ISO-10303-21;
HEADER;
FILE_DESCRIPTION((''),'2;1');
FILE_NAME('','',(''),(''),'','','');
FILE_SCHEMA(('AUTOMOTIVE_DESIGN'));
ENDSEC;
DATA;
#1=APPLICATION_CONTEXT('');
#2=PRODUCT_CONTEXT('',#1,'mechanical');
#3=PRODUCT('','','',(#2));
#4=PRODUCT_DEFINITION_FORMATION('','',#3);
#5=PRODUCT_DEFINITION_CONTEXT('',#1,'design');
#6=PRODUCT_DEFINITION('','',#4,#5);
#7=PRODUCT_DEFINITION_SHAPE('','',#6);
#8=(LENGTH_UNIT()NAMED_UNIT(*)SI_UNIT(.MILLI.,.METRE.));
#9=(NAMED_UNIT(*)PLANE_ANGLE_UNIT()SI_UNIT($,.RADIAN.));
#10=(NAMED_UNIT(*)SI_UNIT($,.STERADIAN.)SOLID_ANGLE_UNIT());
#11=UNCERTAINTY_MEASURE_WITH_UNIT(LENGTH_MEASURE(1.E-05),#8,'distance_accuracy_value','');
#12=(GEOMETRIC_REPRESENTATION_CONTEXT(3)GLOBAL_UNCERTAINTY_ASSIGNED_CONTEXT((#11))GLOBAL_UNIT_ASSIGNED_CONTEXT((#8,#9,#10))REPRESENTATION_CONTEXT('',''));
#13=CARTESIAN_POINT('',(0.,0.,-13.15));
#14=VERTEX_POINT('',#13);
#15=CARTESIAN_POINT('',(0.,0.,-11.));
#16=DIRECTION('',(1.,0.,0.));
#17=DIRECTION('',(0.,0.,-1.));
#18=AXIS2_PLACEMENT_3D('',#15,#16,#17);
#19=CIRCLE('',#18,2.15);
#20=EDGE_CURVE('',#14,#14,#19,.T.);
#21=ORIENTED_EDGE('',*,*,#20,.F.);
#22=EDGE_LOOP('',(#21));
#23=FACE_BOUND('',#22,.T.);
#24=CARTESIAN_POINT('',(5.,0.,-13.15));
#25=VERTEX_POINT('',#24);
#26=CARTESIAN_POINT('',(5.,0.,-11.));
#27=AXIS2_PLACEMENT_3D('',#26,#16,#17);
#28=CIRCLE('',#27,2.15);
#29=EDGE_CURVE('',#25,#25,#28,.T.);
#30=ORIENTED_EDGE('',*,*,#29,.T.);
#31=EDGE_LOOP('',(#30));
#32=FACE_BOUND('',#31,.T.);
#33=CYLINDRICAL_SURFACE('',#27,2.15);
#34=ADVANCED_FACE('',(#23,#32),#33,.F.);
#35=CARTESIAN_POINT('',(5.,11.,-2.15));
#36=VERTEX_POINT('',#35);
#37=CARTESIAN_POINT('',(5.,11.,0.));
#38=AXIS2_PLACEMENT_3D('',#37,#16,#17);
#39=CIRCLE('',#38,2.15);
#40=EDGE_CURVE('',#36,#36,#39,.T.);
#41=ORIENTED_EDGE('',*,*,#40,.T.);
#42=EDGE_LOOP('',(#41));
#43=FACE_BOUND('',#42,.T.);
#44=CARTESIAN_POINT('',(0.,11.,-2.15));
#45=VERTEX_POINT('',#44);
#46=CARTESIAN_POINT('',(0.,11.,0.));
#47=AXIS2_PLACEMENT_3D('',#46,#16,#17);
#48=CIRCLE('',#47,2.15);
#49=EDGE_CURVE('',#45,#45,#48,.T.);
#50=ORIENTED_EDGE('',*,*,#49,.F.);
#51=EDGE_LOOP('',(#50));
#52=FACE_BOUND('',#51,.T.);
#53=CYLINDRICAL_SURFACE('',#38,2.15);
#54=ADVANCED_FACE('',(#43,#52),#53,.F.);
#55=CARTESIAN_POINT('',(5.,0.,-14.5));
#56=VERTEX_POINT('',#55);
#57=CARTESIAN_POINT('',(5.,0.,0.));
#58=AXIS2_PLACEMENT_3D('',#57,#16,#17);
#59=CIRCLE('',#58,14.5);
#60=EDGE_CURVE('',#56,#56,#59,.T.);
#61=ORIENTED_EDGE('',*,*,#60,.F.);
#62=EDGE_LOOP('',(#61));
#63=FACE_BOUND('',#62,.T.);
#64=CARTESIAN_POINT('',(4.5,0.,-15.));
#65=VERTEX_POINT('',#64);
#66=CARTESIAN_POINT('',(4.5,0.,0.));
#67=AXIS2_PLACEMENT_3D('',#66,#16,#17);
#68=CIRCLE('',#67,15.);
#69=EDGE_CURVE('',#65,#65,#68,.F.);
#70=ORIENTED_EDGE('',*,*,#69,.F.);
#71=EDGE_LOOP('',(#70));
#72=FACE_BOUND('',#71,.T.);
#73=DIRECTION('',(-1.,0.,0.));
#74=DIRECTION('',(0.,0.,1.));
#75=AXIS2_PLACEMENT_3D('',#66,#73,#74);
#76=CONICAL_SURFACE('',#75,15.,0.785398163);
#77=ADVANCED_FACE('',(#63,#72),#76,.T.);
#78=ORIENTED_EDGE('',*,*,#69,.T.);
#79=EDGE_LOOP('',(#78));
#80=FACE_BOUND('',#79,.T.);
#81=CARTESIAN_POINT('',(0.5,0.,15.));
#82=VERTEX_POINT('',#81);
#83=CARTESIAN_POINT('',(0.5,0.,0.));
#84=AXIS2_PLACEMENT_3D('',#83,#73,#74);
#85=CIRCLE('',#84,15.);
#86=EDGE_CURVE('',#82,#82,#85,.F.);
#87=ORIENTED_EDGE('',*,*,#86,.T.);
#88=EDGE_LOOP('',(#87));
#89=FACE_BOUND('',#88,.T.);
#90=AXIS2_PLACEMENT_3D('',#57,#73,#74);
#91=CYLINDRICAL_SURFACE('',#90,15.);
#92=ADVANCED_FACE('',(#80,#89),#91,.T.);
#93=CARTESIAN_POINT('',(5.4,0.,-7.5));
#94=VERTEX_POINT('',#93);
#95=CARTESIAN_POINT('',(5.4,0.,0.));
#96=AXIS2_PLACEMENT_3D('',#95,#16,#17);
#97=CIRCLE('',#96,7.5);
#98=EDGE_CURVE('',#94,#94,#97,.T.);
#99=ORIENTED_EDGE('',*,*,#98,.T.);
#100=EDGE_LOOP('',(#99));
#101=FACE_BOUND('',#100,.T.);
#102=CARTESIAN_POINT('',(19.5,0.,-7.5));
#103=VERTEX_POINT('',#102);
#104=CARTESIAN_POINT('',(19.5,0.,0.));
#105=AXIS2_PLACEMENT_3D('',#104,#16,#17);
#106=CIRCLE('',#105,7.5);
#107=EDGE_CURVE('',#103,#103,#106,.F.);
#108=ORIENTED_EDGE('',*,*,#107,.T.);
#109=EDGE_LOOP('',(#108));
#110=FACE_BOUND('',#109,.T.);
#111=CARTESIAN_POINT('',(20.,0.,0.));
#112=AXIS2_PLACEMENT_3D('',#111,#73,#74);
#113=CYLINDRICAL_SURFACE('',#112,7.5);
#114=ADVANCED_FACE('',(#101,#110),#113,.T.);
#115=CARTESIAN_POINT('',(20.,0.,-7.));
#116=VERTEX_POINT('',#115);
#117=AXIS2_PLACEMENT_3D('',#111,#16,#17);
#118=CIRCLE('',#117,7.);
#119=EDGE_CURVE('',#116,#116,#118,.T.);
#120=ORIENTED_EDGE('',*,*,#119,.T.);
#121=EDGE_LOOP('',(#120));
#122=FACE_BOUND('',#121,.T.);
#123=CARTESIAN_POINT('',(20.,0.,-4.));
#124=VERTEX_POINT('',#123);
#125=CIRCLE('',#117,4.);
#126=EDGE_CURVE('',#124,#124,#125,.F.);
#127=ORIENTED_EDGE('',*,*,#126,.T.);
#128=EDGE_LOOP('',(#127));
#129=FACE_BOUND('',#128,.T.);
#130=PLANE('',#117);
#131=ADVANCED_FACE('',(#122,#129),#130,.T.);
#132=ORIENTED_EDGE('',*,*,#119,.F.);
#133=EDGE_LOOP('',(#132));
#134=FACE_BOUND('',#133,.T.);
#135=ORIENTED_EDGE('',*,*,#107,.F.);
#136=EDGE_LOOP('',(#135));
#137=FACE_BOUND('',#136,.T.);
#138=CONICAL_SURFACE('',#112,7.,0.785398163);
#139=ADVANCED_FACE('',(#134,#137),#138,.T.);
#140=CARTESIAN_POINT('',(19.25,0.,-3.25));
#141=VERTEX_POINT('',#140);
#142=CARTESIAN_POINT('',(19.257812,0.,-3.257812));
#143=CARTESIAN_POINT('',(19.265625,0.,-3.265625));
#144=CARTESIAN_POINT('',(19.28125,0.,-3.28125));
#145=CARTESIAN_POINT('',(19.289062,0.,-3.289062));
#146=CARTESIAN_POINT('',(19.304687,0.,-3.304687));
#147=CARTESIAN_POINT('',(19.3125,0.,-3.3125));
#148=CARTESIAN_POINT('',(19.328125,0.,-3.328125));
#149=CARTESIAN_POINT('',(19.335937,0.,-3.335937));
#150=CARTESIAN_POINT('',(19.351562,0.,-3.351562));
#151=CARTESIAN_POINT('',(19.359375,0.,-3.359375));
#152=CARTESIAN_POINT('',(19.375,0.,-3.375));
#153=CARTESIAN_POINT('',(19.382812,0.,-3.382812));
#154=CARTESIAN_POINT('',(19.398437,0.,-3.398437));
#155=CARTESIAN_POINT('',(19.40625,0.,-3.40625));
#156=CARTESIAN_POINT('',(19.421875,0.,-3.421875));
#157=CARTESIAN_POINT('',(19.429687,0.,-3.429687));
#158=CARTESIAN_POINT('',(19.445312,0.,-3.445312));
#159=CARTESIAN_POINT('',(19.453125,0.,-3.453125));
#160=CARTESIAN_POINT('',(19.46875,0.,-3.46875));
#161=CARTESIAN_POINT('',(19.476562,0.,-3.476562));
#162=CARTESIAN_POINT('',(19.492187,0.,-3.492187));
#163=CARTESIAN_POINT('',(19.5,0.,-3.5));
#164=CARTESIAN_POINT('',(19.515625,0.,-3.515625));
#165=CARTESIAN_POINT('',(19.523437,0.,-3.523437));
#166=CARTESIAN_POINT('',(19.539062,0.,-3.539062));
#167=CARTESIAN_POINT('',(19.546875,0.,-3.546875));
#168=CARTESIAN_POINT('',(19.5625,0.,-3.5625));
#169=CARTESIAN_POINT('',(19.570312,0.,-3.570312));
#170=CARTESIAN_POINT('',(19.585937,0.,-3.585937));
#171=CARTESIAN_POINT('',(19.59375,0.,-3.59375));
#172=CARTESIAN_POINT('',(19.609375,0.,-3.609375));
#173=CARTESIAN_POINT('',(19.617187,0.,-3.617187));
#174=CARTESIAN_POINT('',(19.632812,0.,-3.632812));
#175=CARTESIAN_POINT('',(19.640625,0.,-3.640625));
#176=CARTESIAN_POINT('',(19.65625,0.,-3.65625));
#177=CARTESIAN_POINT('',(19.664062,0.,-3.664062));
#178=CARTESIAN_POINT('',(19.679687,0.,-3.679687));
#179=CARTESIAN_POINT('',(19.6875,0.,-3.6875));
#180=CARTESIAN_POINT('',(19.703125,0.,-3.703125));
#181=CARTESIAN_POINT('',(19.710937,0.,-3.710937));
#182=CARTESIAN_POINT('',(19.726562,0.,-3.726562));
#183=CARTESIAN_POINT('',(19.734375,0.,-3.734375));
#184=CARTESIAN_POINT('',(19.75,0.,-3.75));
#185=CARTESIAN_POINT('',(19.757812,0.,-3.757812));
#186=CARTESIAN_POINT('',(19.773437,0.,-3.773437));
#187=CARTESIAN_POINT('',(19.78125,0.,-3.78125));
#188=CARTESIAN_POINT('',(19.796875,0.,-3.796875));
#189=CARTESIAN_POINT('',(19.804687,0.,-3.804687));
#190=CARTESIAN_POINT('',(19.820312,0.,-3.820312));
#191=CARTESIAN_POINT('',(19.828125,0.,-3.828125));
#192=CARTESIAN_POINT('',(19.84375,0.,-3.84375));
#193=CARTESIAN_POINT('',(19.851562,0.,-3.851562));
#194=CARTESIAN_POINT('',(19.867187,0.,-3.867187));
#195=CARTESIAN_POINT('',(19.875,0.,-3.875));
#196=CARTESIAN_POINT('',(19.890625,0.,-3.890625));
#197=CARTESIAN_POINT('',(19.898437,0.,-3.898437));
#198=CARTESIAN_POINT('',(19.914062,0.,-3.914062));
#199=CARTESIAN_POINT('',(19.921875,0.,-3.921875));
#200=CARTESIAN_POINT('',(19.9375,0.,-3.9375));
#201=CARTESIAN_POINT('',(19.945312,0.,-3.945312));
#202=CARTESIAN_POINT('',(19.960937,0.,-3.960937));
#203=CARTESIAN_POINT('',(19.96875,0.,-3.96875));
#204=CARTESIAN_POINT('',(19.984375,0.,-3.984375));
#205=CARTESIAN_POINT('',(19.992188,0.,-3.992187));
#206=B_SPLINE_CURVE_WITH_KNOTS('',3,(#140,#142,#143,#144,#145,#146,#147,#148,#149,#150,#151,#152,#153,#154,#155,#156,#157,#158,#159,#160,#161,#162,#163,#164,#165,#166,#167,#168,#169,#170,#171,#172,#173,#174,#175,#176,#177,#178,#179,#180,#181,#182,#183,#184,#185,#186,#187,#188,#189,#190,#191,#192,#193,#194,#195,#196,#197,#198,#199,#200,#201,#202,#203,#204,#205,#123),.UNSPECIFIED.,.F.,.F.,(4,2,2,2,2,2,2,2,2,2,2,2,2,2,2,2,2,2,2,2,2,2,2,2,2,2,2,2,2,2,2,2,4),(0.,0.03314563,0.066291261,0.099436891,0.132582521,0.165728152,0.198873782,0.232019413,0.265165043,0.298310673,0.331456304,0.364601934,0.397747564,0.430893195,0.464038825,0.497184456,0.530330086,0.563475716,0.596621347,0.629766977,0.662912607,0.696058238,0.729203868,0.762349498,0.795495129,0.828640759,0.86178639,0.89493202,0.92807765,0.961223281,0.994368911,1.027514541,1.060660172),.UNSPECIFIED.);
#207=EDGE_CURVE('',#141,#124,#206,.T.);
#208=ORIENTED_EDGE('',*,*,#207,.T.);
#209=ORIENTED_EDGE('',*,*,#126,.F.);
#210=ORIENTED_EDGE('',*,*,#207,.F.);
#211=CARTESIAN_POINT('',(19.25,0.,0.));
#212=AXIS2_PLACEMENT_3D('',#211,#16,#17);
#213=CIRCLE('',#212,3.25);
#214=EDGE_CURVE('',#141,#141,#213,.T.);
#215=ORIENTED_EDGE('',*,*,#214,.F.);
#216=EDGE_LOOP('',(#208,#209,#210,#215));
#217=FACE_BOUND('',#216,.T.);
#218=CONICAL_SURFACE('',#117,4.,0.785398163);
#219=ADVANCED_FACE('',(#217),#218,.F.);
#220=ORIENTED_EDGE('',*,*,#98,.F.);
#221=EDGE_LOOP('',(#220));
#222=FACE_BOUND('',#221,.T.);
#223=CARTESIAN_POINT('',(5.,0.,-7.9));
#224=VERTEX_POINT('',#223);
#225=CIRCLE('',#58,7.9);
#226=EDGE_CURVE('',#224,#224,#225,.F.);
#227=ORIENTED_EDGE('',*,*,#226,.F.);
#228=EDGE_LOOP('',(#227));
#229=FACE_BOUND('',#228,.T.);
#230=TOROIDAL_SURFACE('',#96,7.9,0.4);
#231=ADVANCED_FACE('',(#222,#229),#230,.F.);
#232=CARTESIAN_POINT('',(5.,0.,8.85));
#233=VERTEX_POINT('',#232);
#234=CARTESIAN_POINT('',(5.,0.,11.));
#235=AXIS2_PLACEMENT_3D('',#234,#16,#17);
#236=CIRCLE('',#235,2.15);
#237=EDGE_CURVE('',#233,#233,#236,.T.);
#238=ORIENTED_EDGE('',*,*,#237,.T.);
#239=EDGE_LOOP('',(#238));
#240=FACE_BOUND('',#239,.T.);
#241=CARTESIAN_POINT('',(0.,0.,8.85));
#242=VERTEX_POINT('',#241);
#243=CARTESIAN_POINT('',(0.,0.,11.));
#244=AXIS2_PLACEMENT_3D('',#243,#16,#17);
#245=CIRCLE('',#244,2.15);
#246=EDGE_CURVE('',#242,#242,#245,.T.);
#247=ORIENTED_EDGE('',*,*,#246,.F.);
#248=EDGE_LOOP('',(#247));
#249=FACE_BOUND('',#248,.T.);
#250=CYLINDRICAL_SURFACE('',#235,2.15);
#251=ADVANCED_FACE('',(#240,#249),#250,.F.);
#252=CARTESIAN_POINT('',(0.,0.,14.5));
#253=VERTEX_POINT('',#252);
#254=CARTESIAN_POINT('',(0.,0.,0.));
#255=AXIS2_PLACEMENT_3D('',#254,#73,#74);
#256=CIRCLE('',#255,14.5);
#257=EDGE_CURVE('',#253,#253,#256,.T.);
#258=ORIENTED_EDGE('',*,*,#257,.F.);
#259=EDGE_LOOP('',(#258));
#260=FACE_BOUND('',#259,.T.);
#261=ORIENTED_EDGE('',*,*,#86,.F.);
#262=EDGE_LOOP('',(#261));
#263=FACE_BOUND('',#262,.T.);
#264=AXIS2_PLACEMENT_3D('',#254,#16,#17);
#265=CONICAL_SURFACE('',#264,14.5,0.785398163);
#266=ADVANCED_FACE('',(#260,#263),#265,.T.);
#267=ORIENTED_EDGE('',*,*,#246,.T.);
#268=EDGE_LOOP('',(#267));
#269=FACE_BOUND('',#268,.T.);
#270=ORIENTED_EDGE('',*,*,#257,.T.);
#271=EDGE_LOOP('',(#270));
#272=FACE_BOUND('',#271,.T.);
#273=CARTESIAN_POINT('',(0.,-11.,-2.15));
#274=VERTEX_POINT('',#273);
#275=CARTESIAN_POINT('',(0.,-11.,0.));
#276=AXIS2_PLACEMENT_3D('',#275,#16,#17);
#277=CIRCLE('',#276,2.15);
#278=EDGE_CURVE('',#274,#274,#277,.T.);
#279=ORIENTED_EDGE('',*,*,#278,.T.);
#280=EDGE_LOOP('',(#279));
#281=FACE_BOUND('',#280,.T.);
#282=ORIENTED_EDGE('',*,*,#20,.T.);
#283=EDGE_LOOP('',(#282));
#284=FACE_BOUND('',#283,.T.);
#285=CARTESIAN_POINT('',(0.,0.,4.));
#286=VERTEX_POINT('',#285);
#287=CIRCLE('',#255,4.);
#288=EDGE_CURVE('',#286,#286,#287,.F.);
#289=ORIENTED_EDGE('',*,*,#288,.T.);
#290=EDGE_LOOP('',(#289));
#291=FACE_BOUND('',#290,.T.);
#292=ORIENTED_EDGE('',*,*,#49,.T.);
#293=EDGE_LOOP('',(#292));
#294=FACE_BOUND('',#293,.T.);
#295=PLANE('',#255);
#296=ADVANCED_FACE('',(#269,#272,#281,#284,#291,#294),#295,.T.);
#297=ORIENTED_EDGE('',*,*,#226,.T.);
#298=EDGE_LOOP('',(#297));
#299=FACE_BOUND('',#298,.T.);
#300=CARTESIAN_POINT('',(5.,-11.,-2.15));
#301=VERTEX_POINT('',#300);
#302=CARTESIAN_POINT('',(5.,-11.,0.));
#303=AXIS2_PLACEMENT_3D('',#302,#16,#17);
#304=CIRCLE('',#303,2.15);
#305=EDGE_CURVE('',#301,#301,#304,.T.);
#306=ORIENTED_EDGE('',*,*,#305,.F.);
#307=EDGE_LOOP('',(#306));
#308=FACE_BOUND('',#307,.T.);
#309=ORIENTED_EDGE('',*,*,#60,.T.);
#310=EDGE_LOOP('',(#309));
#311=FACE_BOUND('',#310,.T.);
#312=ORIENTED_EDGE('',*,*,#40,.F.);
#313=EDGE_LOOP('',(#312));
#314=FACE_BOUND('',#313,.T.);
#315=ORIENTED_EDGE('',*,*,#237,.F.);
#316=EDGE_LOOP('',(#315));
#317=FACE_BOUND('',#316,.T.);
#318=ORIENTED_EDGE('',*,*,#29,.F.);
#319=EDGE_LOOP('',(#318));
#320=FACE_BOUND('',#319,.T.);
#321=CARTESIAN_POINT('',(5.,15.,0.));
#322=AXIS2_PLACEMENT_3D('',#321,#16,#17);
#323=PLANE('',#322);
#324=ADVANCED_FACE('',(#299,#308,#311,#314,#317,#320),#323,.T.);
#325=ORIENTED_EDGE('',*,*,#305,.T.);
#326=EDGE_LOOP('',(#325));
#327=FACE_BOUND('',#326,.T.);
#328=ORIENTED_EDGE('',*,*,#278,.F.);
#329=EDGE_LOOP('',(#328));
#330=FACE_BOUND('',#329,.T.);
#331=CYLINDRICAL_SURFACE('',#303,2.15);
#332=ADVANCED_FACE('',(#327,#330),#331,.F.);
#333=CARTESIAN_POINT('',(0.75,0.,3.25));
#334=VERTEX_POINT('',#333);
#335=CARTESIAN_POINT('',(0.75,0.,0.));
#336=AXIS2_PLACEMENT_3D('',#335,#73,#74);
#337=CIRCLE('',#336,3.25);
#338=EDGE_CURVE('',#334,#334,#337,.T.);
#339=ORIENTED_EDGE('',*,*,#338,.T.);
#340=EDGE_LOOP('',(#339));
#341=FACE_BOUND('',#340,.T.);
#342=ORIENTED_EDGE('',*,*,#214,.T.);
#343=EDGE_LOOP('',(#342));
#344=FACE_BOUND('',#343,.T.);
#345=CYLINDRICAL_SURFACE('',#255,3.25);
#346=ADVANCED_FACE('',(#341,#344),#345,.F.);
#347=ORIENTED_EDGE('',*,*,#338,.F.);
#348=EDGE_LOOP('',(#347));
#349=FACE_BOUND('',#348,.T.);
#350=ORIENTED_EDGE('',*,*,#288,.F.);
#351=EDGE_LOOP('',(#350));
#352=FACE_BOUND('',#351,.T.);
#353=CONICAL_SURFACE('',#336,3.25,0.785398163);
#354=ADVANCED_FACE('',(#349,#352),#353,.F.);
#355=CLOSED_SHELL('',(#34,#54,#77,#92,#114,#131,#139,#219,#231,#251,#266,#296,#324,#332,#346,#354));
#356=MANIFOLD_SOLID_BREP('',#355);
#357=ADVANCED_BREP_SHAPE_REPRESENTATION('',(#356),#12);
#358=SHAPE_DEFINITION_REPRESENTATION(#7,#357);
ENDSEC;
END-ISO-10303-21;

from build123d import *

# Parameters (mm, degrees)
SKETCH1_W                  = 5
SKETCH1_H                  = 15
SKETCH2_R                  = 7.5
BOSS_EXTRUDE1_DEPTH        = 15
F_4_3_4_3_DIAMETER_HOLE1_D = 4.3
F_6_5_6_5_DIAMETER_HOLE1_D = 6.5
CHAMFER1_SIZE              = 0.75
CHAMFER2_SIZE              = 0.5
FILLET1_R                  = 0.4


with BuildPart() as part:
    # Sketch1 → Revolve1 (revolve)
    with BuildSketch(Plane(origin=(0, 0, 0), x_dir=(-1, 0, 0), z_dir=(0, 0, -1)), mode=Mode.PRIVATE) as revolve1_sk:
        with Locations((-2.5, 7.5)):
            Rectangle(SKETCH1_W, SKETCH1_H)
    revolve(revolve1_sk.sketch.rotate(Axis((5, 0, 0), (-1, 0, 0)), 270), axis=Axis((5, 0, 0), (-1, 0, 0)))

    # Sketch2 → Boss-Extrude1 (add)
    with BuildSketch(Plane(origin=(5, 0, 0), x_dir=(0, 0, -1), z_dir=(1, 0, 0))):
        Circle(SKETCH2_R)
    extrude(amount=BOSS_EXTRUDE1_DEPTH)

    # Ø4.3 (4.3) Diameter Hole1 (through all)
    with Locations(Plane(origin=(5, 0, 0), x_dir=(0, 0, -1), z_dir=(1, 0, 0))):
        with Locations((-11, 0), (11, 0), (0, -11), (0, 11)):
            Hole(F_4_3_4_3_DIAMETER_HOLE1_D / 2)

    # Ø6.5 (6.5) Diameter Hole1 (through all)
    with Locations(Plane.ZY):
        with Locations((0, 0)):
            Hole(F_6_5_6_5_DIAMETER_HOLE1_D / 2)

    # Chamfer1
    chamfer1_edges = [part.edges().sort_by_distance(p)[0] for p in [
        (0, 0, 3.25),
        (20, 0, 3.25),
    ]]
    chamfer(chamfer1_edges, length=CHAMFER1_SIZE)

    # Chamfer2
    chamfer2_edges = [part.edges().sort_by_distance(p)[0] for p in [
        (0, 0, -15),
        (5, 0, -15),
        (20, 0, 7.5),
    ]]
    chamfer(chamfer2_edges, length=CHAMFER2_SIZE)

    # Fillet1
    fillet1_edges = [part.edges().sort_by_distance(p)[0] for p in [
        (5, 0, 7.5),
    ]]
    fillet(fillet1_edges, radius=FILLET1_R)


solid = part.part
